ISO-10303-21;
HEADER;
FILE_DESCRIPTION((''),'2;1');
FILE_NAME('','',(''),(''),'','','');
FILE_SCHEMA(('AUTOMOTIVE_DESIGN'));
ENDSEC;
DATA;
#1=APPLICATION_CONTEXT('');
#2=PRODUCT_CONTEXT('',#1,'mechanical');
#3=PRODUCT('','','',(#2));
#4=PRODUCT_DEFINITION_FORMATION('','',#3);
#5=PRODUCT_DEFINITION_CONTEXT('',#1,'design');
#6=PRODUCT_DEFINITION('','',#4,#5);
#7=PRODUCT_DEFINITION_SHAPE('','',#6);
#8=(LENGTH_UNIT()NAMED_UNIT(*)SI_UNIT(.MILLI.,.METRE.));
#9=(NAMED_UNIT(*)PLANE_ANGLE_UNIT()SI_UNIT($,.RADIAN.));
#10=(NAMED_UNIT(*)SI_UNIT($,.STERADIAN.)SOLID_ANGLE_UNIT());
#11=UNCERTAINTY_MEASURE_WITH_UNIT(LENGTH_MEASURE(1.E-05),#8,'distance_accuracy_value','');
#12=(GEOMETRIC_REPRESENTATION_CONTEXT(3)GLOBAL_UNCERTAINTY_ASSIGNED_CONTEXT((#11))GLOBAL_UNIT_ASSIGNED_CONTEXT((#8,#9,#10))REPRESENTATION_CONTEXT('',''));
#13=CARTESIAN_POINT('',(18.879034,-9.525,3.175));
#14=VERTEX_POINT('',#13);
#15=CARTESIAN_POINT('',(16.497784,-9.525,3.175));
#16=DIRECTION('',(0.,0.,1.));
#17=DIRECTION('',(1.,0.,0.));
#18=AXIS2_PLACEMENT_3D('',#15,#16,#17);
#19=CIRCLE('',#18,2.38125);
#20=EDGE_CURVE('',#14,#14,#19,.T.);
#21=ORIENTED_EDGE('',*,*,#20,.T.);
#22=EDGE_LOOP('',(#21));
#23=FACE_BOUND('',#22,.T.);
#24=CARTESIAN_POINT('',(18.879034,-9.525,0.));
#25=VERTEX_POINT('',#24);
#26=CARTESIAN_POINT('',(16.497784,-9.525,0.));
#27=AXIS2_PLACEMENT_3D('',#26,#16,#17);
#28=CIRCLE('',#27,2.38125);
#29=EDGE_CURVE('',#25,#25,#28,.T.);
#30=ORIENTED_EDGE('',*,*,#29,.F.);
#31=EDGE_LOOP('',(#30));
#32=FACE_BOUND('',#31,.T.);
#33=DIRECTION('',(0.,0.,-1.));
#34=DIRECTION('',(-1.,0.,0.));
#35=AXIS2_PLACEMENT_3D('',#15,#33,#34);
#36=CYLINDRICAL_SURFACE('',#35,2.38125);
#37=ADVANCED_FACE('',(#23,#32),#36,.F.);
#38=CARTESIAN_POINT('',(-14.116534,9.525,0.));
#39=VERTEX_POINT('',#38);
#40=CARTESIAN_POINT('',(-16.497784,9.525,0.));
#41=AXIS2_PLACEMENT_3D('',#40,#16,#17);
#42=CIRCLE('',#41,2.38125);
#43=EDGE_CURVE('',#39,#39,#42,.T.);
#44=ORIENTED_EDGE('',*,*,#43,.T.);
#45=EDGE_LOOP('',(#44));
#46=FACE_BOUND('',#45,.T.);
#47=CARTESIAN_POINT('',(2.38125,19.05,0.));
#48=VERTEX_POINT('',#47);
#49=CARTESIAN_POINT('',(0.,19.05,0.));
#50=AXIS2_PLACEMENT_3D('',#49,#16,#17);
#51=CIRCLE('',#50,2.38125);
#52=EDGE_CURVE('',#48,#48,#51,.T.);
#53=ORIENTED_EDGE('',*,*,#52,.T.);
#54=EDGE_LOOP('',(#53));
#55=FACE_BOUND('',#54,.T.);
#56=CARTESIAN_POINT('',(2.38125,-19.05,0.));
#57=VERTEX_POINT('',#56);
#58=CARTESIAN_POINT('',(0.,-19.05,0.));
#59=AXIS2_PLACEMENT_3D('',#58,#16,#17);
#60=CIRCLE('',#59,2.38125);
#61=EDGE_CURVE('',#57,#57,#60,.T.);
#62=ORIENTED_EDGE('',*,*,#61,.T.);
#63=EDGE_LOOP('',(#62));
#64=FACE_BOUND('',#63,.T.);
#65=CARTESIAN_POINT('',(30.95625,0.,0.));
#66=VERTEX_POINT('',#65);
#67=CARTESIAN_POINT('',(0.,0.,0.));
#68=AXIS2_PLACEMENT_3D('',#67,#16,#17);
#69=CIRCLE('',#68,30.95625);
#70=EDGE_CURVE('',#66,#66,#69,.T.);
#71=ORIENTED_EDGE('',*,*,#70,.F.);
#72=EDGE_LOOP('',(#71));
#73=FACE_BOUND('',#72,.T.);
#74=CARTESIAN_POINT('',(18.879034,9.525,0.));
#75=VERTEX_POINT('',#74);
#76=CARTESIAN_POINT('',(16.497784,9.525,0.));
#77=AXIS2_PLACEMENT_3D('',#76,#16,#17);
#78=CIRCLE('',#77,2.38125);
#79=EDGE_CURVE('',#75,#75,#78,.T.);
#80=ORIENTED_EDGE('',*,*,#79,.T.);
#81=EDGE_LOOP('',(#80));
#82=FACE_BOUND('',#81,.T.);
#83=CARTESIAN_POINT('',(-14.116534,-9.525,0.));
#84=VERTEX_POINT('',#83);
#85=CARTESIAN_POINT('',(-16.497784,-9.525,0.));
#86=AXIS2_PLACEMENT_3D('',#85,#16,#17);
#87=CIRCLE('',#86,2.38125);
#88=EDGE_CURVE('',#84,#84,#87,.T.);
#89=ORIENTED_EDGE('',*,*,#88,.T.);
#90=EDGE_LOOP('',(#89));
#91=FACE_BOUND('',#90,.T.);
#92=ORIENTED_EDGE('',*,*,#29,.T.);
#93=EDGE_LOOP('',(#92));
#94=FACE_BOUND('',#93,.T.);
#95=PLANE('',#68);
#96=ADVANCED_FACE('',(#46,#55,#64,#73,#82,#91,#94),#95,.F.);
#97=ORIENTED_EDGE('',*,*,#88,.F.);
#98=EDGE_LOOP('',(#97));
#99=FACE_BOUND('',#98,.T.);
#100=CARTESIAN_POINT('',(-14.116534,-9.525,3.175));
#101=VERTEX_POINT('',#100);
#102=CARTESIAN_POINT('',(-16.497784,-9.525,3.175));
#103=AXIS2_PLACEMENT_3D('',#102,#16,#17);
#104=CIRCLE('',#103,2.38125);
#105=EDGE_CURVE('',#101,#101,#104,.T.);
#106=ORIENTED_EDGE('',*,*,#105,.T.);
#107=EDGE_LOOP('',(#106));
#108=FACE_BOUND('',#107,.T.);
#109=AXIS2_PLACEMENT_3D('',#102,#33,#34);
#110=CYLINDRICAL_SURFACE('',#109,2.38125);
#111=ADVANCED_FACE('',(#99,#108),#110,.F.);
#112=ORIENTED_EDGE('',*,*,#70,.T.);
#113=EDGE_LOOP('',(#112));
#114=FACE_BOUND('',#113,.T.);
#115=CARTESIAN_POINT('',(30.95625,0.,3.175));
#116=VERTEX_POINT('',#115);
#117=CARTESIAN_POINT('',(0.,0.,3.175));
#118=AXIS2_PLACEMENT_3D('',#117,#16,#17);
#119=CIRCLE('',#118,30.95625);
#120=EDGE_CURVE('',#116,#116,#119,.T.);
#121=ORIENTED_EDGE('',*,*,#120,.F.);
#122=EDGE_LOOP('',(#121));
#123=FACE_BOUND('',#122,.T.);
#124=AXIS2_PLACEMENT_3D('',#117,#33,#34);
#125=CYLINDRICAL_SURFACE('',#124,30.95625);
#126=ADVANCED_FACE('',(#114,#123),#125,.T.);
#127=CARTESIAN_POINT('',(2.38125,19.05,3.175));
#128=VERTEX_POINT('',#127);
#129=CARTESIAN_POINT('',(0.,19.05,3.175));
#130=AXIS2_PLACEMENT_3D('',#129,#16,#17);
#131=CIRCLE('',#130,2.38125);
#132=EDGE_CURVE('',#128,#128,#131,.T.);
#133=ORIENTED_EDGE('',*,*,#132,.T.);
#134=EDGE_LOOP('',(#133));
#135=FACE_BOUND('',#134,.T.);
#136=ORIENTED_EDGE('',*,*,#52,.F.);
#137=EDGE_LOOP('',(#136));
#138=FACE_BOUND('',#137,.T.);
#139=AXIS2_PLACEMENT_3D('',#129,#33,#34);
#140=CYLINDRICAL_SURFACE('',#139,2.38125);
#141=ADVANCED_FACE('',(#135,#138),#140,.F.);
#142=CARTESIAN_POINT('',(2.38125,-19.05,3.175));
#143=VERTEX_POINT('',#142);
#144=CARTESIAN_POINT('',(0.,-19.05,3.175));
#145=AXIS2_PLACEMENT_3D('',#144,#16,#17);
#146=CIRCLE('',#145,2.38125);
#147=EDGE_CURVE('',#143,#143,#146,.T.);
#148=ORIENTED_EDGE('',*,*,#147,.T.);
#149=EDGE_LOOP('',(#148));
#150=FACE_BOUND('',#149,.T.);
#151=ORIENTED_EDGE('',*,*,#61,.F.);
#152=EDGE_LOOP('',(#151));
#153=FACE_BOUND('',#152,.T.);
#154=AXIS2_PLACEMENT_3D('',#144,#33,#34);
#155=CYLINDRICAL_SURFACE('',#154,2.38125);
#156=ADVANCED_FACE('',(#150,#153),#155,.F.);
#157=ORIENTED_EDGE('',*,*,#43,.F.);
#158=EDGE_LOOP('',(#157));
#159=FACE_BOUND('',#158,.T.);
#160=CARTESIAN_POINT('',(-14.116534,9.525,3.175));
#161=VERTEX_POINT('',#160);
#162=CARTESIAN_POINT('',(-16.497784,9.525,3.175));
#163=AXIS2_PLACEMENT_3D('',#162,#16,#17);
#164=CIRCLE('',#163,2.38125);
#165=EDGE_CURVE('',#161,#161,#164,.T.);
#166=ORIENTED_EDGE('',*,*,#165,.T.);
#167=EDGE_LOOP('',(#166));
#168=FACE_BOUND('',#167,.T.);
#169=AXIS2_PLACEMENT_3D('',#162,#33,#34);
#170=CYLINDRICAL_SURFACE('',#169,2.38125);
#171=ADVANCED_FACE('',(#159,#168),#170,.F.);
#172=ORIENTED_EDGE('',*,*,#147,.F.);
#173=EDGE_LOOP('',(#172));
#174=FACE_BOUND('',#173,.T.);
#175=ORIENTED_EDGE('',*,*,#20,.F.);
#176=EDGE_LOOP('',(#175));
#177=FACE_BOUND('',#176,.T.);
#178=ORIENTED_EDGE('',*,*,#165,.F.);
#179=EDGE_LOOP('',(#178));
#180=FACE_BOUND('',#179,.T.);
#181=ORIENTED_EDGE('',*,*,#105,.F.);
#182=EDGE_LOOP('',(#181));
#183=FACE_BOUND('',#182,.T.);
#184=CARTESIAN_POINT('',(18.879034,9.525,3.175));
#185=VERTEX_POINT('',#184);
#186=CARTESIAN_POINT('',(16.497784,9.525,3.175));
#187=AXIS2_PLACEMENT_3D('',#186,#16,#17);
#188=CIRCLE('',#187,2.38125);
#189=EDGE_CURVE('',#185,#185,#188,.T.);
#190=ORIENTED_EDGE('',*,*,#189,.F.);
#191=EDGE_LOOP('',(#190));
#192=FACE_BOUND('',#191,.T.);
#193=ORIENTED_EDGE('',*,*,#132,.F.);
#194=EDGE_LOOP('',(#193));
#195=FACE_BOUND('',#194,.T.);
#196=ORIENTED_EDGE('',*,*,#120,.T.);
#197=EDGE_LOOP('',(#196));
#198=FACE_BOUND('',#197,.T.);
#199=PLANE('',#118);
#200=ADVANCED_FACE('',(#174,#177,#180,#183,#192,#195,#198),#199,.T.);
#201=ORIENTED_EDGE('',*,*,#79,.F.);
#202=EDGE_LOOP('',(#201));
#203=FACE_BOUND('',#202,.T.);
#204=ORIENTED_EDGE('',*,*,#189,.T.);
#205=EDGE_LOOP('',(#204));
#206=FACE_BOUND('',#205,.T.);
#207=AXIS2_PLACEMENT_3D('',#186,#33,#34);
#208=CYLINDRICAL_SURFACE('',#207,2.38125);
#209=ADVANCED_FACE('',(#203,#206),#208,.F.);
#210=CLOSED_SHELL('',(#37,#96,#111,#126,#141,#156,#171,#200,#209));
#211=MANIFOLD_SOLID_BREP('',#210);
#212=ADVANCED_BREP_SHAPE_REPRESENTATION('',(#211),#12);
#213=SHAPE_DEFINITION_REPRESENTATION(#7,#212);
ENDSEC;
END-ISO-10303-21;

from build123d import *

# Parameters (mm, degrees)
SKETCH1_R           = 30.95625
SKETCH1_R_2         = 2.38125
BOSS_EXTRUDE1_DEPTH = 3.175


with BuildPart() as part:
    # Sketch1 → Boss-Extrude1 (new body)
    with BuildSketch(Plane.XY):
        Circle(SKETCH1_R)
        with Locations((0, 19.05)):
            Circle(SKETCH1_R_2, mode=Mode.SUBTRACT)
        with Locations((16.497783942, 9.525)):
            Circle(SKETCH1_R_2, mode=Mode.SUBTRACT)
        with Locations((16.497783942, -9.525)):
            Circle(SKETCH1_R_2, mode=Mode.SUBTRACT)
        with Locations((0, -19.05)):
            Circle(SKETCH1_R_2, mode=Mode.SUBTRACT)
        with Locations((-16.497783942, -9.525)):
            Circle(SKETCH1_R_2, mode=Mode.SUBTRACT)
        with Locations((-16.497783942, 9.525)):
            Circle(SKETCH1_R_2, mode=Mode.SUBTRACT)
    extrude(amount=BOSS_EXTRUDE1_DEPTH)


solid = part.part
